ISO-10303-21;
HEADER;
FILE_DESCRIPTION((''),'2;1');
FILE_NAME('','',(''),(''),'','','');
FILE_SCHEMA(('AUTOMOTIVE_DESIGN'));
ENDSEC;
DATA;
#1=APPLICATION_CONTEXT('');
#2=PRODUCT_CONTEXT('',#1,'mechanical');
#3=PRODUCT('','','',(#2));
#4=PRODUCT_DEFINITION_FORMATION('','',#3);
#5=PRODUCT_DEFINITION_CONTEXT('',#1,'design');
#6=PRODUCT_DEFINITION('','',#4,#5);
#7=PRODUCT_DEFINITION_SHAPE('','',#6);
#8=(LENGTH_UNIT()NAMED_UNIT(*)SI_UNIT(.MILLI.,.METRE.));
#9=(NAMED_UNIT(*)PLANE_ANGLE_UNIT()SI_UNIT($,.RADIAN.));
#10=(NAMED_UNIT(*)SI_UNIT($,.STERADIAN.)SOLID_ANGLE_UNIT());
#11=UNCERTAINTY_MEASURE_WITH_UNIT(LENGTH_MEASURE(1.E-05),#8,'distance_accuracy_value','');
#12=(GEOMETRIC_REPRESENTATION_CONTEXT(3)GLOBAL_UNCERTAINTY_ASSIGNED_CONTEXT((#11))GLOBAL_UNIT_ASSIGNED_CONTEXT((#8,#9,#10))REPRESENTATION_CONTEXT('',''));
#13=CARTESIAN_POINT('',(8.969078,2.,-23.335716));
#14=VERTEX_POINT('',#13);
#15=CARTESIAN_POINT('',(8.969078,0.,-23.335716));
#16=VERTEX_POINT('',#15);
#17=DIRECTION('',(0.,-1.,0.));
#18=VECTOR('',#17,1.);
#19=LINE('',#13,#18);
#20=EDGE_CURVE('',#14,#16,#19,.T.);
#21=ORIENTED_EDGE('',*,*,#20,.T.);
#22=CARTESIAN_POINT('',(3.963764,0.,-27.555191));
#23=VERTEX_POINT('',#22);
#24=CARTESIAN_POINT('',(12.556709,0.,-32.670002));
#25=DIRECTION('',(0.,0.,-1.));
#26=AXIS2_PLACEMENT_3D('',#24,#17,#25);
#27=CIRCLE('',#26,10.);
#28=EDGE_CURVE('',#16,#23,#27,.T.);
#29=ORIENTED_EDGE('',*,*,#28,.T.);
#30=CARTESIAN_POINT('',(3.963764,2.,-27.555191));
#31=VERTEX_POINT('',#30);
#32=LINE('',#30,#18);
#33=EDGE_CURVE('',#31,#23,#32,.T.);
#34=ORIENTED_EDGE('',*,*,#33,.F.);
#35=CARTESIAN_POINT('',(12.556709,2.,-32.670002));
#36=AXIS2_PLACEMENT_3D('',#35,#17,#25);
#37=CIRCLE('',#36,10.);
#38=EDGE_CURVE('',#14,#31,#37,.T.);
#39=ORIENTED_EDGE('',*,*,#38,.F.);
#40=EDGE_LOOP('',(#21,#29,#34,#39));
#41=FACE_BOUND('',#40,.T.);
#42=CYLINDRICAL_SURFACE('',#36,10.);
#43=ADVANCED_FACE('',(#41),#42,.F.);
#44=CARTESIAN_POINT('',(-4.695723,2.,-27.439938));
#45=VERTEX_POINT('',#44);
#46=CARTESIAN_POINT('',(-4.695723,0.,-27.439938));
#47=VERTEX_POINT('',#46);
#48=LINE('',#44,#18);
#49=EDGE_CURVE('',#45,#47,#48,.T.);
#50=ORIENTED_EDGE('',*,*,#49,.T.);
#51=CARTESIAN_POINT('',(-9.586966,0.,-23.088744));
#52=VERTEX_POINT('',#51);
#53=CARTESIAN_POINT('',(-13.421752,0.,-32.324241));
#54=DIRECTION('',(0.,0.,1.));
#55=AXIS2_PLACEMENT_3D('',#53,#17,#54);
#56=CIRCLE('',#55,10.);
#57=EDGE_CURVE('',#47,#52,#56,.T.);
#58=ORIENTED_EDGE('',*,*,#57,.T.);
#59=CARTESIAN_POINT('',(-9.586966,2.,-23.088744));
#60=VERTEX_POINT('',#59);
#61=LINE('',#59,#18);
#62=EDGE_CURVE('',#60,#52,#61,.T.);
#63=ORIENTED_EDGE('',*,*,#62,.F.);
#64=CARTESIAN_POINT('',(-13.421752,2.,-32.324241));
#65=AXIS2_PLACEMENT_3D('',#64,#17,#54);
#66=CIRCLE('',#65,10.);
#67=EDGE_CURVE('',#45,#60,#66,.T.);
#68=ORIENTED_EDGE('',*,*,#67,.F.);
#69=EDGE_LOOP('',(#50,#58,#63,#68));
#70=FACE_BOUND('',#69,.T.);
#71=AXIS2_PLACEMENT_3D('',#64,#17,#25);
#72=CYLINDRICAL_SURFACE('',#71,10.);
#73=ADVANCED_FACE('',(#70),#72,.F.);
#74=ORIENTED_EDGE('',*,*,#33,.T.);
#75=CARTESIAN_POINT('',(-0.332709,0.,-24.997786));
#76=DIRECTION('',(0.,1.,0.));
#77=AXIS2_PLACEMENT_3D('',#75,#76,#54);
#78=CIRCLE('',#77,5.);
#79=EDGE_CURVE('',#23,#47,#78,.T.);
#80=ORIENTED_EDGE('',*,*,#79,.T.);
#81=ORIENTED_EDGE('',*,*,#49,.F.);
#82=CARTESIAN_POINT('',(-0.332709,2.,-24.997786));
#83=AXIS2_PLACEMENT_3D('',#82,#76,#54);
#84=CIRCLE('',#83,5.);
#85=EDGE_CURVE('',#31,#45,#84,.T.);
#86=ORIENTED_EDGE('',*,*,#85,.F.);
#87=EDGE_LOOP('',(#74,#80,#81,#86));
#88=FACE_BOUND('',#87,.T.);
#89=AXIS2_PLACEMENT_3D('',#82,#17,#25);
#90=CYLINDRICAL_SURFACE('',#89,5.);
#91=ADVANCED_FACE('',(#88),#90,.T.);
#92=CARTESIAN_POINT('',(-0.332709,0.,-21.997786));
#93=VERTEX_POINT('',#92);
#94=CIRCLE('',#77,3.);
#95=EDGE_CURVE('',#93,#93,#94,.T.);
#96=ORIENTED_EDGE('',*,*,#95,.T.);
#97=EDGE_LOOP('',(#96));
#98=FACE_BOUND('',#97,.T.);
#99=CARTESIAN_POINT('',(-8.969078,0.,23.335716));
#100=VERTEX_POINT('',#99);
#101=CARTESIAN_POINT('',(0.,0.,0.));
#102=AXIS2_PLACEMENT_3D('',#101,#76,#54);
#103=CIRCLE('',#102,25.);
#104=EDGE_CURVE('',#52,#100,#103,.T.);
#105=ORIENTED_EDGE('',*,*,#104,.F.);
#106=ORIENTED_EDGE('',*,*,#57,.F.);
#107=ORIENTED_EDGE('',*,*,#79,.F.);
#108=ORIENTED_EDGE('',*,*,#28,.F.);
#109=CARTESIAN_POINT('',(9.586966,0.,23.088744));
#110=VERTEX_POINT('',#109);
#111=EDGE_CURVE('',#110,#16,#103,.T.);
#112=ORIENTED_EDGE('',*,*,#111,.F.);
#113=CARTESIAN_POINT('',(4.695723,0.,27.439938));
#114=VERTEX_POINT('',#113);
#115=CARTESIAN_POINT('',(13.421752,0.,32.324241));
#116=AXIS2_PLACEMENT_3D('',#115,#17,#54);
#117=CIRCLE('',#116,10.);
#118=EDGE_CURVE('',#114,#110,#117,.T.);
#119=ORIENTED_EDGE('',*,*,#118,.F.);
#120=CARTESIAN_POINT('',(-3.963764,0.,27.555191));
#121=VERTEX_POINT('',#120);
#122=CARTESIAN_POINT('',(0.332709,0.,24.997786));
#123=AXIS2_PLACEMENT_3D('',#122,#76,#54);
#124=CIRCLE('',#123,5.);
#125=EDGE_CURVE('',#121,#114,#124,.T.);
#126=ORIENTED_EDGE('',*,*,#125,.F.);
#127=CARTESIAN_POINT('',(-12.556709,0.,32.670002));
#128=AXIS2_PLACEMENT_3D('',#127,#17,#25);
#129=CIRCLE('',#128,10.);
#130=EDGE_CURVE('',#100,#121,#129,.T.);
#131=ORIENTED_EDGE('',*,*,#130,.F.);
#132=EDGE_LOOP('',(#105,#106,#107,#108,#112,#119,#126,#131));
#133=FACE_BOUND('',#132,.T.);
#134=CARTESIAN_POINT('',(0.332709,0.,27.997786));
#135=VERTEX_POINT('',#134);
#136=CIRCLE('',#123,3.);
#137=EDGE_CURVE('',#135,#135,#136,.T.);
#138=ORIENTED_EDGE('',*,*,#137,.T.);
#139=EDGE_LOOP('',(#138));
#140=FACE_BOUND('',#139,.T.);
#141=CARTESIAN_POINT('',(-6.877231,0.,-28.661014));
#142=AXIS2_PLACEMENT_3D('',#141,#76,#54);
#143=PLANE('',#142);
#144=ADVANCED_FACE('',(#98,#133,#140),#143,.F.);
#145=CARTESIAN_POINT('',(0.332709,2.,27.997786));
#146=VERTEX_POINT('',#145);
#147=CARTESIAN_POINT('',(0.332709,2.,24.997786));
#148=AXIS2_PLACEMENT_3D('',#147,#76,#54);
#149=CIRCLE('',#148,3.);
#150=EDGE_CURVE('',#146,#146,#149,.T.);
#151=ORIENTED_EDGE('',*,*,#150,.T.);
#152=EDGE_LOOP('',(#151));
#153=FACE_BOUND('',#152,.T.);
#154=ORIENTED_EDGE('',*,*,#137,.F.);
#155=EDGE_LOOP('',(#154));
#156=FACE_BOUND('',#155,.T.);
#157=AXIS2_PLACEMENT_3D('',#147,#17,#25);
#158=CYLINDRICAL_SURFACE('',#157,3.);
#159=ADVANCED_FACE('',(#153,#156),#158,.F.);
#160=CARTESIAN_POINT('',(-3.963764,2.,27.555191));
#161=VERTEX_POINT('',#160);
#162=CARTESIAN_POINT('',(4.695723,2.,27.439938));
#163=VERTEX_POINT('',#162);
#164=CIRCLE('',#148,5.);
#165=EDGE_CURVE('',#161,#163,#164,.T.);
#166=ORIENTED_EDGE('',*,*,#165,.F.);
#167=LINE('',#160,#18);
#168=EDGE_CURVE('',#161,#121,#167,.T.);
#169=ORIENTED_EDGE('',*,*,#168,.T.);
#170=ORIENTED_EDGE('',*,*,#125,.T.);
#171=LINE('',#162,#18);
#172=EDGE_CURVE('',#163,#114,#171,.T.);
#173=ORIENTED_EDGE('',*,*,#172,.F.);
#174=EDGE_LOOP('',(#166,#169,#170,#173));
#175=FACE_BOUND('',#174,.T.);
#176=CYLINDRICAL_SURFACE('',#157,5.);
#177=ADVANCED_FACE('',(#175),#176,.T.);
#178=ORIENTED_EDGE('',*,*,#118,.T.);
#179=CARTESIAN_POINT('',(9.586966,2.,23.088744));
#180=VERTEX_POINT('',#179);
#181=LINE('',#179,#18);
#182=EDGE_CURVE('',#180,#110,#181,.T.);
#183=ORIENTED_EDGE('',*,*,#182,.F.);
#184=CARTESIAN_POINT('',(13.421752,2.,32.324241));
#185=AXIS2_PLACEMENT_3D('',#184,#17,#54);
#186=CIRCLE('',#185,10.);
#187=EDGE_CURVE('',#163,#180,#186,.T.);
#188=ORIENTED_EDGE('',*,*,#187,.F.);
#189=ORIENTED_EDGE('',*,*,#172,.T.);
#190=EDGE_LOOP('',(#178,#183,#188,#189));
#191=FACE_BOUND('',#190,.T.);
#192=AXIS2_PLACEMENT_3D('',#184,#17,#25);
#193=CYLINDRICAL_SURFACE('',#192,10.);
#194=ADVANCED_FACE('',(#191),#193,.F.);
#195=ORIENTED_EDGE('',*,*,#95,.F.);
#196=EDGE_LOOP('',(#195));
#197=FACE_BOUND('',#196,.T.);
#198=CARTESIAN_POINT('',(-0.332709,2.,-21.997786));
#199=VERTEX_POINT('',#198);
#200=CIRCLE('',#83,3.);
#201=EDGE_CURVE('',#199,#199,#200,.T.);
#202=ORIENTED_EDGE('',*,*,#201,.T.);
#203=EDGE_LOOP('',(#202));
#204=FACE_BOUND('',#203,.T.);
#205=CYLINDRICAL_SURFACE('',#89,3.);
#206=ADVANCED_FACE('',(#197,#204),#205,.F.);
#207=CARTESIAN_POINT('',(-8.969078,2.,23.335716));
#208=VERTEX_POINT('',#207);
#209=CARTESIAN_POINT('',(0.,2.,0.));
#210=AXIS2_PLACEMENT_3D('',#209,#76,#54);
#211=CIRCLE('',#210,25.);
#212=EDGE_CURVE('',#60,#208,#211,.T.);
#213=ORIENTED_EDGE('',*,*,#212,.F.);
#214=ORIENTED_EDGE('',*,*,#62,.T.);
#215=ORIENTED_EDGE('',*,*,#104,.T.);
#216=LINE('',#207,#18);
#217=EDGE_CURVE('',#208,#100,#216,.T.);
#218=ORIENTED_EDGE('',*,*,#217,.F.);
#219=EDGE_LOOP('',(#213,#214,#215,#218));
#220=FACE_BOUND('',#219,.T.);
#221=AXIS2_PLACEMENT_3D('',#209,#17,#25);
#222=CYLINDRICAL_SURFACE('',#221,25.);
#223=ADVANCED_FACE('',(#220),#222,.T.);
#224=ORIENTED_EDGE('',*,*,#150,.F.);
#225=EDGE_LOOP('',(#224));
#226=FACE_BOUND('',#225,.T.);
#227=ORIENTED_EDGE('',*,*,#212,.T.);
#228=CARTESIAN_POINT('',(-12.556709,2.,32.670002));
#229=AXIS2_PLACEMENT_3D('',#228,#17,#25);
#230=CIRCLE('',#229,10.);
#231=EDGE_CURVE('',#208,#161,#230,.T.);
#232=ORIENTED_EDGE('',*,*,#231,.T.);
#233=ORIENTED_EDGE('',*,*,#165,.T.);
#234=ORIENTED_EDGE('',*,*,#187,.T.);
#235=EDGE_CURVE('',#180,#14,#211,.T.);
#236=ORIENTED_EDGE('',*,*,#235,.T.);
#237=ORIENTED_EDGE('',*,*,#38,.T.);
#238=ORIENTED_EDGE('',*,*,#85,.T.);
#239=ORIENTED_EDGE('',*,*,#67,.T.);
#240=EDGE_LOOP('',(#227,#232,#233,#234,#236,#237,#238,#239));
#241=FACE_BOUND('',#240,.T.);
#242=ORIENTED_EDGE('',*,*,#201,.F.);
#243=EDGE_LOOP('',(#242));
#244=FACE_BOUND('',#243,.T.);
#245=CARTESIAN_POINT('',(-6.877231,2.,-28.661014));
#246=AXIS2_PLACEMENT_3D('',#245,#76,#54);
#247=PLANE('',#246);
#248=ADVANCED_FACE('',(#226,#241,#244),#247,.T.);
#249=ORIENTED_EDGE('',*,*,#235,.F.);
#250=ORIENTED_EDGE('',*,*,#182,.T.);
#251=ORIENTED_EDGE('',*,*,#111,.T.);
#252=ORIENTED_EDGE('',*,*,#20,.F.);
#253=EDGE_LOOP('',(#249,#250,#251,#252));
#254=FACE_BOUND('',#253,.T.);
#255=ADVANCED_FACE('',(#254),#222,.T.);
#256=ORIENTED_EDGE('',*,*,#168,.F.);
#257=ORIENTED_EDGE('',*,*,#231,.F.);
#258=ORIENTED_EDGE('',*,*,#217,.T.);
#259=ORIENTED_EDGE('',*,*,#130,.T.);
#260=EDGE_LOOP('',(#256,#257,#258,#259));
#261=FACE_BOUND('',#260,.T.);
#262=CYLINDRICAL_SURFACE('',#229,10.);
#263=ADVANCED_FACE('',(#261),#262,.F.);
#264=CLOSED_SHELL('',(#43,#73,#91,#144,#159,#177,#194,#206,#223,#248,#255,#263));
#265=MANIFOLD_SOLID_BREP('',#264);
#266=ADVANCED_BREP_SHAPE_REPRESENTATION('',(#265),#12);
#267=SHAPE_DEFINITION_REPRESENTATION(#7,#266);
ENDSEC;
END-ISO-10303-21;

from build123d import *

# Parameters (mm, degrees)
SKETCH1_R           = 3
BOSS_EXTRUDE1_DEPTH = 2


with BuildPart() as part:
    # Sketch1 → Boss-Extrude1 (new body)
    with BuildSketch(Plane(origin=(0, 0, 0), x_dir=(1, 0, 0), z_dir=(0, 1, 0))):
        with BuildLine():
            ThreePointArc((-9.586965908, 23.088743679), (-24.997785997, -0.332708958), (-8.969077844, -23.33571603))
            ThreePointArc((-8.969077844, -23.33571603), (-6.11135377, -25.024258777), (-3.963763689, -27.555191479))
            ThreePointArc((-3.963763689, -27.555191479), (0.399250749, -29.997343196), (4.695723396, -27.439937715))
            ThreePointArc((4.695723396, -27.439937715), (6.775193594, -24.852744798), (9.586965908, -23.088743679))
            ThreePointArc((9.586965908, -23.088743679), (24.997785997, 0.332708958), (8.969077844, 23.33571603))
            ThreePointArc((8.969077844, 23.33571603), (6.11135377, 25.024258777), (3.963763689, 27.555191479))
            ThreePointArc((3.963763689, 27.555191479), (-0.399250749, 29.997343196), (-4.695723396, 27.439937715))
            ThreePointArc((-4.695723396, 27.439937715), (-6.775193594, 24.852744798), (-9.586965908, 23.088743679))
        make_face()
        with Locations((-0.332708958, 24.997785997)):
            Circle(SKETCH1_R, mode=Mode.SUBTRACT)
        with Locations((0.332708958, -24.997785997)):
            Circle(SKETCH1_R, mode=Mode.SUBTRACT)
    extrude(amount=BOSS_EXTRUDE1_DEPTH)


solid = part.part
